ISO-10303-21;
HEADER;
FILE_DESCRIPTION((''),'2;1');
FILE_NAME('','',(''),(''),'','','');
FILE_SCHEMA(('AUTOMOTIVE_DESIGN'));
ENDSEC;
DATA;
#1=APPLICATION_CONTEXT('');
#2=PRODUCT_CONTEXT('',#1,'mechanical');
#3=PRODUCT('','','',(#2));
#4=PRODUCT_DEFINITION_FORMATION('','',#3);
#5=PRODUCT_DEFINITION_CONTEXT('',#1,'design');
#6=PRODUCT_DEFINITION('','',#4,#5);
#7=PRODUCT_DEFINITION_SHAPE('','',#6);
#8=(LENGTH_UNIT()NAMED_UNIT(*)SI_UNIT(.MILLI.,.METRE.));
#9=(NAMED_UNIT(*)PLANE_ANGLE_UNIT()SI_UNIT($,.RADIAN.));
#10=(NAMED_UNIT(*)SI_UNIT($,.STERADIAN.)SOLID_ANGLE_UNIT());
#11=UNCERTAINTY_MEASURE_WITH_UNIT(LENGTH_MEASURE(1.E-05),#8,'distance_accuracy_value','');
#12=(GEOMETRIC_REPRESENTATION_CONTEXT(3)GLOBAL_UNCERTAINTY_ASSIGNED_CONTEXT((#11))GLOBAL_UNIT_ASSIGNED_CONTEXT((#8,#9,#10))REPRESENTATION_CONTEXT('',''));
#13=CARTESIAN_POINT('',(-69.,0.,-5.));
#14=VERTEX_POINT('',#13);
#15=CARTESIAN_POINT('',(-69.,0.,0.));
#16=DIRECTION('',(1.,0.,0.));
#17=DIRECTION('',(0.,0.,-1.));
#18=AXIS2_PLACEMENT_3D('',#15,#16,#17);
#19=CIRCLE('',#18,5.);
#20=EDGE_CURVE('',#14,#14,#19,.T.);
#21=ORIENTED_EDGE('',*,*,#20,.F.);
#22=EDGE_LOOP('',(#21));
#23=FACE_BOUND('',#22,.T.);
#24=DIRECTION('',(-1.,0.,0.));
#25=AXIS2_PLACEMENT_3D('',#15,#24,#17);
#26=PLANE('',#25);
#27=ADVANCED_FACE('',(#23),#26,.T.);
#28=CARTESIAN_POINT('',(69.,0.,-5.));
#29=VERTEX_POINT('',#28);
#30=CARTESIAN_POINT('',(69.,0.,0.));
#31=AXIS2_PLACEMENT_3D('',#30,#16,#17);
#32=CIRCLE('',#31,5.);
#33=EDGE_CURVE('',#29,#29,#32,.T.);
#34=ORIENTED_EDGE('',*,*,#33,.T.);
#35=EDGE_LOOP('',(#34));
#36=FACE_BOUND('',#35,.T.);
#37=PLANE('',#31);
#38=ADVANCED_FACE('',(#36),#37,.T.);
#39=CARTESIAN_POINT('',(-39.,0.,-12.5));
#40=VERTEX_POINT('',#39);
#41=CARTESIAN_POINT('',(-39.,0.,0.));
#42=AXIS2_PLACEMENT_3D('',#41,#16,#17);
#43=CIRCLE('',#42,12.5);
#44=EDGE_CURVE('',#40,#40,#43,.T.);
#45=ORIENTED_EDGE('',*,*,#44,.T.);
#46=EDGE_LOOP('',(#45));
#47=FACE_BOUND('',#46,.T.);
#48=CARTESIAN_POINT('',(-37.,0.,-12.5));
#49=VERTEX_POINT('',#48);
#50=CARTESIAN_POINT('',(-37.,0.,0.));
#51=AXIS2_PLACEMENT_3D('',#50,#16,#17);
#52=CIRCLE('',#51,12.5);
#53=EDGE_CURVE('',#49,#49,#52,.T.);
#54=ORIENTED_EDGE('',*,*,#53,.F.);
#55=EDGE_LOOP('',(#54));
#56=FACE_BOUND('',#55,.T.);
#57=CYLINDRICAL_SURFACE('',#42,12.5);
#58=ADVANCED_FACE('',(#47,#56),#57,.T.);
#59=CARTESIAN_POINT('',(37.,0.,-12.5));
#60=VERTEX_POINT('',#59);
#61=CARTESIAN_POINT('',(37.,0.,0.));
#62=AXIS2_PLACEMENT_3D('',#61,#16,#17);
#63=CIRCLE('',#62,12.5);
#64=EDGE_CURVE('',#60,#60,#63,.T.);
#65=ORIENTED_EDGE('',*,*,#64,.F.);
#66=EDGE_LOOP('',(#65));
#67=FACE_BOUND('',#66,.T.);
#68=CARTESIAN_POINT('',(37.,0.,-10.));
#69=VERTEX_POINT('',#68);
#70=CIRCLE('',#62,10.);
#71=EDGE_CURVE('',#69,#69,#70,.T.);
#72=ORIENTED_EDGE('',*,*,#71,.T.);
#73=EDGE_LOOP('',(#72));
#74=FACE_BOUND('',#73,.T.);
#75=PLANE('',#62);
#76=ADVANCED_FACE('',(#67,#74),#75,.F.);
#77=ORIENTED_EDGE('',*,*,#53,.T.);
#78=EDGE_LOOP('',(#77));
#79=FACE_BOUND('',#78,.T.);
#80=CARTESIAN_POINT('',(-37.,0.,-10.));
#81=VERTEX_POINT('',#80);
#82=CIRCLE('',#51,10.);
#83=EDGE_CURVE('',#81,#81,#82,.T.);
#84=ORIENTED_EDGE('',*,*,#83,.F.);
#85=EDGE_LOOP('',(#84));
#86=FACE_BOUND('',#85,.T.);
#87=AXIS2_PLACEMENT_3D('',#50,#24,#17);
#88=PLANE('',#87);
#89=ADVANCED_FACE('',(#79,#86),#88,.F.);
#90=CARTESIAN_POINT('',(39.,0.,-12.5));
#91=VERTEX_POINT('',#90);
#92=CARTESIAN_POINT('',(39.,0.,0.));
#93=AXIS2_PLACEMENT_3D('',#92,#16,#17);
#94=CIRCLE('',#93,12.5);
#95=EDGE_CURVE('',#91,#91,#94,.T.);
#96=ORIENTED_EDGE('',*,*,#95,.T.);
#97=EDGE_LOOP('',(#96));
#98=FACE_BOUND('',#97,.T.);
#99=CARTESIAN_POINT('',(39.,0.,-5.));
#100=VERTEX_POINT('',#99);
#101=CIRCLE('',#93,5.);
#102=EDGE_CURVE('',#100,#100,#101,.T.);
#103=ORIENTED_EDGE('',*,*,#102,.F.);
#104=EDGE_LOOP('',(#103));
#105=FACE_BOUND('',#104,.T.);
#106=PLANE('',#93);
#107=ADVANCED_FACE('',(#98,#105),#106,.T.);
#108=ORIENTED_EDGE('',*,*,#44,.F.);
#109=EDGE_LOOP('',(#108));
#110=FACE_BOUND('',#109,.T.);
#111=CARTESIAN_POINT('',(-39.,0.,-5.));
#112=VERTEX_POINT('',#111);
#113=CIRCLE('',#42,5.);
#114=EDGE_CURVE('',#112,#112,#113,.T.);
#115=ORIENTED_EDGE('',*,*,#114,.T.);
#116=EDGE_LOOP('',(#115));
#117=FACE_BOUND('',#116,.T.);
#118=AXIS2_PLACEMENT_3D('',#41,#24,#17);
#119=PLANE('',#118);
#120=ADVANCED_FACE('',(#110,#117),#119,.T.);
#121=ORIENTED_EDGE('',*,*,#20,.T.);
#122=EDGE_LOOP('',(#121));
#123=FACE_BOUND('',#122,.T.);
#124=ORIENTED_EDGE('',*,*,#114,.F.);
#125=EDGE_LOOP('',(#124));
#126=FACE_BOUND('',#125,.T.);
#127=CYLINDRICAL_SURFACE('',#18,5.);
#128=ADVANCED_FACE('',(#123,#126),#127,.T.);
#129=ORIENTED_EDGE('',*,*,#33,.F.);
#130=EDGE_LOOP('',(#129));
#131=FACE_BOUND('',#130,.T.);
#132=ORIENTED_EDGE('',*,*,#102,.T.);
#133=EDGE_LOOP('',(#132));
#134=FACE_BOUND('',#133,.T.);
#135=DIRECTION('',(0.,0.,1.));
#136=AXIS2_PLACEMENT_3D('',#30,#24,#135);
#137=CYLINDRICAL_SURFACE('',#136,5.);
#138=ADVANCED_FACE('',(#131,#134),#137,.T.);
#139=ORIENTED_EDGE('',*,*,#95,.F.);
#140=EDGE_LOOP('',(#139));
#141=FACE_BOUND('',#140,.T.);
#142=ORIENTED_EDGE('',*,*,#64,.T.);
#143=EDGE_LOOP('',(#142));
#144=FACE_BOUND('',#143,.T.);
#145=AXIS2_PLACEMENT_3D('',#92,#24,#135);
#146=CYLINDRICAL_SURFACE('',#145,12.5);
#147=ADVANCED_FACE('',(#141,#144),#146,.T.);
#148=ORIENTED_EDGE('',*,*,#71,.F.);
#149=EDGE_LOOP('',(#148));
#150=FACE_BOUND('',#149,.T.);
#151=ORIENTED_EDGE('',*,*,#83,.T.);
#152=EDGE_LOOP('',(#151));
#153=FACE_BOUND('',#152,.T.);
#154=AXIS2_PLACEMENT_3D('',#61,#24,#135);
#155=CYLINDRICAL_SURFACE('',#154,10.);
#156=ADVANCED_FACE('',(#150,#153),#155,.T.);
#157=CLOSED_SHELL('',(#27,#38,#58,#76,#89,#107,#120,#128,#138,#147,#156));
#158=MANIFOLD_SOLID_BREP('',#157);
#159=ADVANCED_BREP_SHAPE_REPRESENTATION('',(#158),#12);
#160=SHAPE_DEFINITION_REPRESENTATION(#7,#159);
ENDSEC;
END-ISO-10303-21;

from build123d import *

# Parameters (mm, degrees)
SKETCH1_R           = 10
BOSS_EXTRUDE1_DEPTH = 37
SKETCH2_R           = 12.5
BOSS_EXTRUDE2_DEPTH = 2
SKETCH3_R           = 5
BOSS_EXTRUDE3_DEPTH = 30


with BuildPart() as part:
    # Sketch1 → Boss-Extrude1 (new body)
    with BuildSketch(Plane(origin=(0, 0, 0), x_dir=(0, 0, -1), z_dir=(1, 0, 0))):
        Circle(SKETCH1_R)
    boss_extrude1 = extrude(amount=BOSS_EXTRUDE1_DEPTH)

    # Sketch2 → Boss-Extrude2 (add)
    with BuildSketch(Plane(origin=(37, 0, 0), x_dir=(0, 0, -1), z_dir=(1, 0, 0))):
        Circle(SKETCH2_R)
    boss_extrude2 = extrude(amount=BOSS_EXTRUDE2_DEPTH)

    # Sketch3 → Boss-Extrude3 (add)
    with BuildSketch(Plane(origin=(39, 0, 0), x_dir=(0, 0, -1), z_dir=(1, 0, 0))):
        Circle(SKETCH3_R)
    boss_extrude3 = extrude(amount=BOSS_EXTRUDE3_DEPTH)

    # Mirror2: Boss-Extrude1, Boss-Extrude2, Boss-Extrude3 across plane
    add(boss_extrude1.mirror(Plane(origin=(0, 0, 0), x_dir=(0, 0, 1), z_dir=(1, 0, 0))))
    add(boss_extrude2.mirror(Plane(origin=(0, 0, 0), x_dir=(0, 0, 1), z_dir=(1, 0, 0))))
    add(boss_extrude3.mirror(Plane(origin=(0, 0, 0), x_dir=(0, 0, 1), z_dir=(1, 0, 0))))


solid = part.part
